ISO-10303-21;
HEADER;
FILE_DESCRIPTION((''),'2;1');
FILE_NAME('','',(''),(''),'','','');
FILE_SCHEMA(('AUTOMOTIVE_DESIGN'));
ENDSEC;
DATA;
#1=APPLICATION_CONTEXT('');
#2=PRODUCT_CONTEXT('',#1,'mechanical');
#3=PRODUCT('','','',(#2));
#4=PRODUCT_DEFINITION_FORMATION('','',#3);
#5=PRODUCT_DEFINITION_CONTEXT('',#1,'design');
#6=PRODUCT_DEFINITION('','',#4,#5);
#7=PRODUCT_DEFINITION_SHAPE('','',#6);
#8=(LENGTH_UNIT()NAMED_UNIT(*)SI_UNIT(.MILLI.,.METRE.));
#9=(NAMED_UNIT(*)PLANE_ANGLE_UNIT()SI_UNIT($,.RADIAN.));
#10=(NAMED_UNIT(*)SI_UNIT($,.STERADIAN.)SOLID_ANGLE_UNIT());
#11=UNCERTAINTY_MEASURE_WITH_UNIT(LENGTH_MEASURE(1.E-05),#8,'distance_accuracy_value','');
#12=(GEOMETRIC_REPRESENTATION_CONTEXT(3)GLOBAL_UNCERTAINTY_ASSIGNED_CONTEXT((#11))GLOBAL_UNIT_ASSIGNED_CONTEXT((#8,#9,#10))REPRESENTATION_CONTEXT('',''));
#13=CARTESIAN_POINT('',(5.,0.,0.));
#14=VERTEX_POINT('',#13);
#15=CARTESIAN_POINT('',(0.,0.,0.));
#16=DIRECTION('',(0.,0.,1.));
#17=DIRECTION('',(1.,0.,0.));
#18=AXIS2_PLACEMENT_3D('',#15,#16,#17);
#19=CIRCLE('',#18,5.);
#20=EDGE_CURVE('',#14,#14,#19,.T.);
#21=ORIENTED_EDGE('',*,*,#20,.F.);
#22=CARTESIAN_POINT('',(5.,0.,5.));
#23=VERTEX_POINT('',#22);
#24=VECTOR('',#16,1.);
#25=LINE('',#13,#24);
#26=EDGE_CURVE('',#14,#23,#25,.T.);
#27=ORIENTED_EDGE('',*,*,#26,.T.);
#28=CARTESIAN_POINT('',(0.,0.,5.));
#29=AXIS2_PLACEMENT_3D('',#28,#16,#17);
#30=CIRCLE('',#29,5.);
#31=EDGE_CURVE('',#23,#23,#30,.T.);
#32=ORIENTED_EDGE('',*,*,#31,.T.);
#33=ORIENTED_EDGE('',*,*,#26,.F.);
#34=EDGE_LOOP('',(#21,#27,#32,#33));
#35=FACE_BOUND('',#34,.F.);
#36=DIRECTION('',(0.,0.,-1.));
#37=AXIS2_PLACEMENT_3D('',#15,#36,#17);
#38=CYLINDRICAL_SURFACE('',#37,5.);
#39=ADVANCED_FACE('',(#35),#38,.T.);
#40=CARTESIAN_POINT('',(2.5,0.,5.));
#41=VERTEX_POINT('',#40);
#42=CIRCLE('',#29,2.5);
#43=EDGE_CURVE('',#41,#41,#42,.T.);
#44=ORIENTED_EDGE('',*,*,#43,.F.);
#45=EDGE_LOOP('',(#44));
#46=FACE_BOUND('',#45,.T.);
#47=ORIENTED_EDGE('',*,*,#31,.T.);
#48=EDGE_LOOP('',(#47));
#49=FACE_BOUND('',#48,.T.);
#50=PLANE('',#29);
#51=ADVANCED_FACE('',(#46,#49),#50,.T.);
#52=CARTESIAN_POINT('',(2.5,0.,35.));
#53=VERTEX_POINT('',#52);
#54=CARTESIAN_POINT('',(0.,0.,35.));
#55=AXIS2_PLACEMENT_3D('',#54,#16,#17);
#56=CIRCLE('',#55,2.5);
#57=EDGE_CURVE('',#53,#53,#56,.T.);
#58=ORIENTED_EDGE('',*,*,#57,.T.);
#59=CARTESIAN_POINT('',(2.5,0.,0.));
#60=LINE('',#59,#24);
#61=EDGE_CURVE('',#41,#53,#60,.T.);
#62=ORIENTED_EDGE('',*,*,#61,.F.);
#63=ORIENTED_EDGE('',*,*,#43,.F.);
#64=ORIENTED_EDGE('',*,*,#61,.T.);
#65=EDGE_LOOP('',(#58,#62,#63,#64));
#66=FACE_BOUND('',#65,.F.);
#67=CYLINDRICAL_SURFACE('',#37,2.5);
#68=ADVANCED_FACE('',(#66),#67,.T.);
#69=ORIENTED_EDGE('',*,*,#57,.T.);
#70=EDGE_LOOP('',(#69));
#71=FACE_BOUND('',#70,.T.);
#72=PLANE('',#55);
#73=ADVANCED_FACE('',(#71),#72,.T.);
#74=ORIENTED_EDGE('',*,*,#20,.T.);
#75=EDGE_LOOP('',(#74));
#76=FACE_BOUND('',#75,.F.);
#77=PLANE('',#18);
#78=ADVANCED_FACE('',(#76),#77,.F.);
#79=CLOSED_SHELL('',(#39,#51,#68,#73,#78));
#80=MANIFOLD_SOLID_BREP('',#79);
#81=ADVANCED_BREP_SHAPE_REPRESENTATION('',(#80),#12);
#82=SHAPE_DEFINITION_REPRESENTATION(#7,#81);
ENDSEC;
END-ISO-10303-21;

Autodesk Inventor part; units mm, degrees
ref_plane "YZ Plane" through (0, 0, 0) normal (1, 0, 0) x (0, 1, 0)
ref_plane "XZ Plane" through (0, 0, 0) normal (0, 1, 0) x (-1, 0, 0)
ref_plane "XY Plane" through (0, 0, 0) normal (0, 0, 1) x (1, 0, 0)
sketch "Sketch1" plane through (0, 0, 0) normal (0, 0, 1) x (1, 0, 0)
  circle A0 centre (0, 0) radius 2.5
  circle A1 centre (0, 0) radius 5
  dimension "d0" = 5
  dimension "d1" = 10
extrude "Extrusion1" add sketch "Sketch1" along normal blind 35 contours A0
extrude "Extrusion2" add sketch "Sketch1" along normal blind 5
properties part number "Bolt 2"
